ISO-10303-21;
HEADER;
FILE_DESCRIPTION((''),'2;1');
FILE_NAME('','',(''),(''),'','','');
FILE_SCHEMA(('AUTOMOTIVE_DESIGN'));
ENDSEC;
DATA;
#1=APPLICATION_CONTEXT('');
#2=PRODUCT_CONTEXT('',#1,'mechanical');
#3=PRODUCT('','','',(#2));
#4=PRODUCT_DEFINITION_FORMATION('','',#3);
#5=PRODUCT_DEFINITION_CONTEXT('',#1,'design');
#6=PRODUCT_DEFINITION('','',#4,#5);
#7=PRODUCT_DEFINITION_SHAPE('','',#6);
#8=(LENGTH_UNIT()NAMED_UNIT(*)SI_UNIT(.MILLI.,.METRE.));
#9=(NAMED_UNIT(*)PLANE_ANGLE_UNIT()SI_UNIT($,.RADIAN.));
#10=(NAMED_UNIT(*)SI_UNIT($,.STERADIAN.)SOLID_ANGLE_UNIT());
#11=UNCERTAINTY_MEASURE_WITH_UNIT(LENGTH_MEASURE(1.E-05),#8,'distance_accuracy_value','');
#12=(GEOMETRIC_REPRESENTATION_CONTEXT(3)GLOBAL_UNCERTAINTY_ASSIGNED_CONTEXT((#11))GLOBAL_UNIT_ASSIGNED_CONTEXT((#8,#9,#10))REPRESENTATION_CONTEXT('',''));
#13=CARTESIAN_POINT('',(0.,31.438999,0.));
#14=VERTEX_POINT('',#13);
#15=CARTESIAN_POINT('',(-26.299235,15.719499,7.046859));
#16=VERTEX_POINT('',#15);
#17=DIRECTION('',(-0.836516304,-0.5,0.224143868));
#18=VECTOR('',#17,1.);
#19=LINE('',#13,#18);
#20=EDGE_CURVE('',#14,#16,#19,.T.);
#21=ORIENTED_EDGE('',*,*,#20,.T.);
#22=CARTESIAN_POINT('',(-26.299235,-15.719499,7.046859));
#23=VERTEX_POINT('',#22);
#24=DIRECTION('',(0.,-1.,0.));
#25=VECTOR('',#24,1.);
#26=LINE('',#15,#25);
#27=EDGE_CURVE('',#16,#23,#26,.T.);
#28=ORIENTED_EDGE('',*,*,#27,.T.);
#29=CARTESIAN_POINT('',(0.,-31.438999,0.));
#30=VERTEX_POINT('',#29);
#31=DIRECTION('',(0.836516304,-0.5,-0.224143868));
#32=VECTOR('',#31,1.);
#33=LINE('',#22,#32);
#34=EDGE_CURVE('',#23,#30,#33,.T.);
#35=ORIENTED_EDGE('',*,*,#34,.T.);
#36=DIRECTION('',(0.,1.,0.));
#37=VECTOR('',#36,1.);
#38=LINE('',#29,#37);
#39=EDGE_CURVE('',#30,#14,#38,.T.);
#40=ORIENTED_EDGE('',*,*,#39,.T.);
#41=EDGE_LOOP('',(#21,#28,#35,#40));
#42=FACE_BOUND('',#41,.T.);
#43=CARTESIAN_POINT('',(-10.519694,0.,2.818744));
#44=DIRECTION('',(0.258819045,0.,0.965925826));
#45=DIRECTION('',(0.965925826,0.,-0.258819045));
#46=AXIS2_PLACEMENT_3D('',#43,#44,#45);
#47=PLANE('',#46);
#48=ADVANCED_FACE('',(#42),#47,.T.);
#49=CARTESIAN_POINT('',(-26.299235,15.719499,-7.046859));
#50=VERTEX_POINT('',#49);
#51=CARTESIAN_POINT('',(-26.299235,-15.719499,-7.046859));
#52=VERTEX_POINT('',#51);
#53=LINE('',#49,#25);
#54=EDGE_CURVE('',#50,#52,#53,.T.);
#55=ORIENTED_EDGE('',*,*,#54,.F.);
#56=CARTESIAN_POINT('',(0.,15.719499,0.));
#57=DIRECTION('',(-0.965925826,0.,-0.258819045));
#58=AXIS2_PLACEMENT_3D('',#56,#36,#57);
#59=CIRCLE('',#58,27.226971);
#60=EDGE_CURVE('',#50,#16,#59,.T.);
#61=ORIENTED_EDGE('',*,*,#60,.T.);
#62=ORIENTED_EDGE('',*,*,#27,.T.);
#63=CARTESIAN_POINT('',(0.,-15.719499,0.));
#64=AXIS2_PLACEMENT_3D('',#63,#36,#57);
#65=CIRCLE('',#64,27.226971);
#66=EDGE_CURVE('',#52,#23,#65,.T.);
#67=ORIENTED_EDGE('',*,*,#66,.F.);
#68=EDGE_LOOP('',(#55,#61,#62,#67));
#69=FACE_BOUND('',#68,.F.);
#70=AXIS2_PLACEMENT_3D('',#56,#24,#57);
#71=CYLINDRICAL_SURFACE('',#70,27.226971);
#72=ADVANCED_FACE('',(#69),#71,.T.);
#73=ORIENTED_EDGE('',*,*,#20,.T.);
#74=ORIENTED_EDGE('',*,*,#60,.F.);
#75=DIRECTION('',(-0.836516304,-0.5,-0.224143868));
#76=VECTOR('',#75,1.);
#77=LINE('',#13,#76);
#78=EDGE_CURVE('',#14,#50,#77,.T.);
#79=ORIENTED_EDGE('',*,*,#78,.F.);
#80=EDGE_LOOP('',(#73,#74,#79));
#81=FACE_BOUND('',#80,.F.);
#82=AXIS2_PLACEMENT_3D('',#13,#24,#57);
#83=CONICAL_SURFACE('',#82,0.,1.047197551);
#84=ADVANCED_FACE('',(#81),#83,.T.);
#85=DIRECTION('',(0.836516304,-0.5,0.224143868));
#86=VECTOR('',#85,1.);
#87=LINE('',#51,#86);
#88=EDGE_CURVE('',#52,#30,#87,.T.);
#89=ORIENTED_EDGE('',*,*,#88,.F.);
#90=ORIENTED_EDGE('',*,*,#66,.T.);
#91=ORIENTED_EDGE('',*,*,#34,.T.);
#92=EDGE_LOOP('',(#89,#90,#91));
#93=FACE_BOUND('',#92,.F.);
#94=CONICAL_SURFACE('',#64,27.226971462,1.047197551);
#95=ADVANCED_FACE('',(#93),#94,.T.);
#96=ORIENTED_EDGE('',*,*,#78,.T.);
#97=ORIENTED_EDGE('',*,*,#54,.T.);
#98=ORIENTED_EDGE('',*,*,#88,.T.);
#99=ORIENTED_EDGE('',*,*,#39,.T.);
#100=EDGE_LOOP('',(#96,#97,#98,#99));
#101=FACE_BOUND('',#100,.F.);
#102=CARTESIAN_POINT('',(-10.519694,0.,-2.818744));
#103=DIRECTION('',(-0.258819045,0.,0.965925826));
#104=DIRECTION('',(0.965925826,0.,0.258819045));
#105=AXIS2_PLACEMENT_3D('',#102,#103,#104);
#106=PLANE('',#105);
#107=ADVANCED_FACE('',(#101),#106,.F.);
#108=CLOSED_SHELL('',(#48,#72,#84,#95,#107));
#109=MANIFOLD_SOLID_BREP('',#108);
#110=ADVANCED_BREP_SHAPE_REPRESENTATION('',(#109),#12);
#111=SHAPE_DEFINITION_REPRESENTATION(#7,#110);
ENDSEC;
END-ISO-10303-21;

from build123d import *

# Parameters (mm, degrees)
F1_ANGLE_BACK = 15
F1_ANGLE      = 30


with BuildPart() as f1:
    # F0 (on Top) → F1 (revolve)
    with BuildSketch(Plane.XY, mode=Mode.PRIVATE) as f1_sk:
        Polygon((-27.2269714624, -15.719499303), (0, -31.438998606), (0, 31.438998606), (-27.2269714624, 15.719499303), align=None)
    revolve(f1_sk.sketch.rotate(Axis((0, -0.3986507654, 0), (0, 1, 0)), -F1_ANGLE_BACK), axis=Axis((0, -0.3986507654, 0), (0, 1, 0)), revolution_arc=F1_ANGLE)


solid = f1.part
